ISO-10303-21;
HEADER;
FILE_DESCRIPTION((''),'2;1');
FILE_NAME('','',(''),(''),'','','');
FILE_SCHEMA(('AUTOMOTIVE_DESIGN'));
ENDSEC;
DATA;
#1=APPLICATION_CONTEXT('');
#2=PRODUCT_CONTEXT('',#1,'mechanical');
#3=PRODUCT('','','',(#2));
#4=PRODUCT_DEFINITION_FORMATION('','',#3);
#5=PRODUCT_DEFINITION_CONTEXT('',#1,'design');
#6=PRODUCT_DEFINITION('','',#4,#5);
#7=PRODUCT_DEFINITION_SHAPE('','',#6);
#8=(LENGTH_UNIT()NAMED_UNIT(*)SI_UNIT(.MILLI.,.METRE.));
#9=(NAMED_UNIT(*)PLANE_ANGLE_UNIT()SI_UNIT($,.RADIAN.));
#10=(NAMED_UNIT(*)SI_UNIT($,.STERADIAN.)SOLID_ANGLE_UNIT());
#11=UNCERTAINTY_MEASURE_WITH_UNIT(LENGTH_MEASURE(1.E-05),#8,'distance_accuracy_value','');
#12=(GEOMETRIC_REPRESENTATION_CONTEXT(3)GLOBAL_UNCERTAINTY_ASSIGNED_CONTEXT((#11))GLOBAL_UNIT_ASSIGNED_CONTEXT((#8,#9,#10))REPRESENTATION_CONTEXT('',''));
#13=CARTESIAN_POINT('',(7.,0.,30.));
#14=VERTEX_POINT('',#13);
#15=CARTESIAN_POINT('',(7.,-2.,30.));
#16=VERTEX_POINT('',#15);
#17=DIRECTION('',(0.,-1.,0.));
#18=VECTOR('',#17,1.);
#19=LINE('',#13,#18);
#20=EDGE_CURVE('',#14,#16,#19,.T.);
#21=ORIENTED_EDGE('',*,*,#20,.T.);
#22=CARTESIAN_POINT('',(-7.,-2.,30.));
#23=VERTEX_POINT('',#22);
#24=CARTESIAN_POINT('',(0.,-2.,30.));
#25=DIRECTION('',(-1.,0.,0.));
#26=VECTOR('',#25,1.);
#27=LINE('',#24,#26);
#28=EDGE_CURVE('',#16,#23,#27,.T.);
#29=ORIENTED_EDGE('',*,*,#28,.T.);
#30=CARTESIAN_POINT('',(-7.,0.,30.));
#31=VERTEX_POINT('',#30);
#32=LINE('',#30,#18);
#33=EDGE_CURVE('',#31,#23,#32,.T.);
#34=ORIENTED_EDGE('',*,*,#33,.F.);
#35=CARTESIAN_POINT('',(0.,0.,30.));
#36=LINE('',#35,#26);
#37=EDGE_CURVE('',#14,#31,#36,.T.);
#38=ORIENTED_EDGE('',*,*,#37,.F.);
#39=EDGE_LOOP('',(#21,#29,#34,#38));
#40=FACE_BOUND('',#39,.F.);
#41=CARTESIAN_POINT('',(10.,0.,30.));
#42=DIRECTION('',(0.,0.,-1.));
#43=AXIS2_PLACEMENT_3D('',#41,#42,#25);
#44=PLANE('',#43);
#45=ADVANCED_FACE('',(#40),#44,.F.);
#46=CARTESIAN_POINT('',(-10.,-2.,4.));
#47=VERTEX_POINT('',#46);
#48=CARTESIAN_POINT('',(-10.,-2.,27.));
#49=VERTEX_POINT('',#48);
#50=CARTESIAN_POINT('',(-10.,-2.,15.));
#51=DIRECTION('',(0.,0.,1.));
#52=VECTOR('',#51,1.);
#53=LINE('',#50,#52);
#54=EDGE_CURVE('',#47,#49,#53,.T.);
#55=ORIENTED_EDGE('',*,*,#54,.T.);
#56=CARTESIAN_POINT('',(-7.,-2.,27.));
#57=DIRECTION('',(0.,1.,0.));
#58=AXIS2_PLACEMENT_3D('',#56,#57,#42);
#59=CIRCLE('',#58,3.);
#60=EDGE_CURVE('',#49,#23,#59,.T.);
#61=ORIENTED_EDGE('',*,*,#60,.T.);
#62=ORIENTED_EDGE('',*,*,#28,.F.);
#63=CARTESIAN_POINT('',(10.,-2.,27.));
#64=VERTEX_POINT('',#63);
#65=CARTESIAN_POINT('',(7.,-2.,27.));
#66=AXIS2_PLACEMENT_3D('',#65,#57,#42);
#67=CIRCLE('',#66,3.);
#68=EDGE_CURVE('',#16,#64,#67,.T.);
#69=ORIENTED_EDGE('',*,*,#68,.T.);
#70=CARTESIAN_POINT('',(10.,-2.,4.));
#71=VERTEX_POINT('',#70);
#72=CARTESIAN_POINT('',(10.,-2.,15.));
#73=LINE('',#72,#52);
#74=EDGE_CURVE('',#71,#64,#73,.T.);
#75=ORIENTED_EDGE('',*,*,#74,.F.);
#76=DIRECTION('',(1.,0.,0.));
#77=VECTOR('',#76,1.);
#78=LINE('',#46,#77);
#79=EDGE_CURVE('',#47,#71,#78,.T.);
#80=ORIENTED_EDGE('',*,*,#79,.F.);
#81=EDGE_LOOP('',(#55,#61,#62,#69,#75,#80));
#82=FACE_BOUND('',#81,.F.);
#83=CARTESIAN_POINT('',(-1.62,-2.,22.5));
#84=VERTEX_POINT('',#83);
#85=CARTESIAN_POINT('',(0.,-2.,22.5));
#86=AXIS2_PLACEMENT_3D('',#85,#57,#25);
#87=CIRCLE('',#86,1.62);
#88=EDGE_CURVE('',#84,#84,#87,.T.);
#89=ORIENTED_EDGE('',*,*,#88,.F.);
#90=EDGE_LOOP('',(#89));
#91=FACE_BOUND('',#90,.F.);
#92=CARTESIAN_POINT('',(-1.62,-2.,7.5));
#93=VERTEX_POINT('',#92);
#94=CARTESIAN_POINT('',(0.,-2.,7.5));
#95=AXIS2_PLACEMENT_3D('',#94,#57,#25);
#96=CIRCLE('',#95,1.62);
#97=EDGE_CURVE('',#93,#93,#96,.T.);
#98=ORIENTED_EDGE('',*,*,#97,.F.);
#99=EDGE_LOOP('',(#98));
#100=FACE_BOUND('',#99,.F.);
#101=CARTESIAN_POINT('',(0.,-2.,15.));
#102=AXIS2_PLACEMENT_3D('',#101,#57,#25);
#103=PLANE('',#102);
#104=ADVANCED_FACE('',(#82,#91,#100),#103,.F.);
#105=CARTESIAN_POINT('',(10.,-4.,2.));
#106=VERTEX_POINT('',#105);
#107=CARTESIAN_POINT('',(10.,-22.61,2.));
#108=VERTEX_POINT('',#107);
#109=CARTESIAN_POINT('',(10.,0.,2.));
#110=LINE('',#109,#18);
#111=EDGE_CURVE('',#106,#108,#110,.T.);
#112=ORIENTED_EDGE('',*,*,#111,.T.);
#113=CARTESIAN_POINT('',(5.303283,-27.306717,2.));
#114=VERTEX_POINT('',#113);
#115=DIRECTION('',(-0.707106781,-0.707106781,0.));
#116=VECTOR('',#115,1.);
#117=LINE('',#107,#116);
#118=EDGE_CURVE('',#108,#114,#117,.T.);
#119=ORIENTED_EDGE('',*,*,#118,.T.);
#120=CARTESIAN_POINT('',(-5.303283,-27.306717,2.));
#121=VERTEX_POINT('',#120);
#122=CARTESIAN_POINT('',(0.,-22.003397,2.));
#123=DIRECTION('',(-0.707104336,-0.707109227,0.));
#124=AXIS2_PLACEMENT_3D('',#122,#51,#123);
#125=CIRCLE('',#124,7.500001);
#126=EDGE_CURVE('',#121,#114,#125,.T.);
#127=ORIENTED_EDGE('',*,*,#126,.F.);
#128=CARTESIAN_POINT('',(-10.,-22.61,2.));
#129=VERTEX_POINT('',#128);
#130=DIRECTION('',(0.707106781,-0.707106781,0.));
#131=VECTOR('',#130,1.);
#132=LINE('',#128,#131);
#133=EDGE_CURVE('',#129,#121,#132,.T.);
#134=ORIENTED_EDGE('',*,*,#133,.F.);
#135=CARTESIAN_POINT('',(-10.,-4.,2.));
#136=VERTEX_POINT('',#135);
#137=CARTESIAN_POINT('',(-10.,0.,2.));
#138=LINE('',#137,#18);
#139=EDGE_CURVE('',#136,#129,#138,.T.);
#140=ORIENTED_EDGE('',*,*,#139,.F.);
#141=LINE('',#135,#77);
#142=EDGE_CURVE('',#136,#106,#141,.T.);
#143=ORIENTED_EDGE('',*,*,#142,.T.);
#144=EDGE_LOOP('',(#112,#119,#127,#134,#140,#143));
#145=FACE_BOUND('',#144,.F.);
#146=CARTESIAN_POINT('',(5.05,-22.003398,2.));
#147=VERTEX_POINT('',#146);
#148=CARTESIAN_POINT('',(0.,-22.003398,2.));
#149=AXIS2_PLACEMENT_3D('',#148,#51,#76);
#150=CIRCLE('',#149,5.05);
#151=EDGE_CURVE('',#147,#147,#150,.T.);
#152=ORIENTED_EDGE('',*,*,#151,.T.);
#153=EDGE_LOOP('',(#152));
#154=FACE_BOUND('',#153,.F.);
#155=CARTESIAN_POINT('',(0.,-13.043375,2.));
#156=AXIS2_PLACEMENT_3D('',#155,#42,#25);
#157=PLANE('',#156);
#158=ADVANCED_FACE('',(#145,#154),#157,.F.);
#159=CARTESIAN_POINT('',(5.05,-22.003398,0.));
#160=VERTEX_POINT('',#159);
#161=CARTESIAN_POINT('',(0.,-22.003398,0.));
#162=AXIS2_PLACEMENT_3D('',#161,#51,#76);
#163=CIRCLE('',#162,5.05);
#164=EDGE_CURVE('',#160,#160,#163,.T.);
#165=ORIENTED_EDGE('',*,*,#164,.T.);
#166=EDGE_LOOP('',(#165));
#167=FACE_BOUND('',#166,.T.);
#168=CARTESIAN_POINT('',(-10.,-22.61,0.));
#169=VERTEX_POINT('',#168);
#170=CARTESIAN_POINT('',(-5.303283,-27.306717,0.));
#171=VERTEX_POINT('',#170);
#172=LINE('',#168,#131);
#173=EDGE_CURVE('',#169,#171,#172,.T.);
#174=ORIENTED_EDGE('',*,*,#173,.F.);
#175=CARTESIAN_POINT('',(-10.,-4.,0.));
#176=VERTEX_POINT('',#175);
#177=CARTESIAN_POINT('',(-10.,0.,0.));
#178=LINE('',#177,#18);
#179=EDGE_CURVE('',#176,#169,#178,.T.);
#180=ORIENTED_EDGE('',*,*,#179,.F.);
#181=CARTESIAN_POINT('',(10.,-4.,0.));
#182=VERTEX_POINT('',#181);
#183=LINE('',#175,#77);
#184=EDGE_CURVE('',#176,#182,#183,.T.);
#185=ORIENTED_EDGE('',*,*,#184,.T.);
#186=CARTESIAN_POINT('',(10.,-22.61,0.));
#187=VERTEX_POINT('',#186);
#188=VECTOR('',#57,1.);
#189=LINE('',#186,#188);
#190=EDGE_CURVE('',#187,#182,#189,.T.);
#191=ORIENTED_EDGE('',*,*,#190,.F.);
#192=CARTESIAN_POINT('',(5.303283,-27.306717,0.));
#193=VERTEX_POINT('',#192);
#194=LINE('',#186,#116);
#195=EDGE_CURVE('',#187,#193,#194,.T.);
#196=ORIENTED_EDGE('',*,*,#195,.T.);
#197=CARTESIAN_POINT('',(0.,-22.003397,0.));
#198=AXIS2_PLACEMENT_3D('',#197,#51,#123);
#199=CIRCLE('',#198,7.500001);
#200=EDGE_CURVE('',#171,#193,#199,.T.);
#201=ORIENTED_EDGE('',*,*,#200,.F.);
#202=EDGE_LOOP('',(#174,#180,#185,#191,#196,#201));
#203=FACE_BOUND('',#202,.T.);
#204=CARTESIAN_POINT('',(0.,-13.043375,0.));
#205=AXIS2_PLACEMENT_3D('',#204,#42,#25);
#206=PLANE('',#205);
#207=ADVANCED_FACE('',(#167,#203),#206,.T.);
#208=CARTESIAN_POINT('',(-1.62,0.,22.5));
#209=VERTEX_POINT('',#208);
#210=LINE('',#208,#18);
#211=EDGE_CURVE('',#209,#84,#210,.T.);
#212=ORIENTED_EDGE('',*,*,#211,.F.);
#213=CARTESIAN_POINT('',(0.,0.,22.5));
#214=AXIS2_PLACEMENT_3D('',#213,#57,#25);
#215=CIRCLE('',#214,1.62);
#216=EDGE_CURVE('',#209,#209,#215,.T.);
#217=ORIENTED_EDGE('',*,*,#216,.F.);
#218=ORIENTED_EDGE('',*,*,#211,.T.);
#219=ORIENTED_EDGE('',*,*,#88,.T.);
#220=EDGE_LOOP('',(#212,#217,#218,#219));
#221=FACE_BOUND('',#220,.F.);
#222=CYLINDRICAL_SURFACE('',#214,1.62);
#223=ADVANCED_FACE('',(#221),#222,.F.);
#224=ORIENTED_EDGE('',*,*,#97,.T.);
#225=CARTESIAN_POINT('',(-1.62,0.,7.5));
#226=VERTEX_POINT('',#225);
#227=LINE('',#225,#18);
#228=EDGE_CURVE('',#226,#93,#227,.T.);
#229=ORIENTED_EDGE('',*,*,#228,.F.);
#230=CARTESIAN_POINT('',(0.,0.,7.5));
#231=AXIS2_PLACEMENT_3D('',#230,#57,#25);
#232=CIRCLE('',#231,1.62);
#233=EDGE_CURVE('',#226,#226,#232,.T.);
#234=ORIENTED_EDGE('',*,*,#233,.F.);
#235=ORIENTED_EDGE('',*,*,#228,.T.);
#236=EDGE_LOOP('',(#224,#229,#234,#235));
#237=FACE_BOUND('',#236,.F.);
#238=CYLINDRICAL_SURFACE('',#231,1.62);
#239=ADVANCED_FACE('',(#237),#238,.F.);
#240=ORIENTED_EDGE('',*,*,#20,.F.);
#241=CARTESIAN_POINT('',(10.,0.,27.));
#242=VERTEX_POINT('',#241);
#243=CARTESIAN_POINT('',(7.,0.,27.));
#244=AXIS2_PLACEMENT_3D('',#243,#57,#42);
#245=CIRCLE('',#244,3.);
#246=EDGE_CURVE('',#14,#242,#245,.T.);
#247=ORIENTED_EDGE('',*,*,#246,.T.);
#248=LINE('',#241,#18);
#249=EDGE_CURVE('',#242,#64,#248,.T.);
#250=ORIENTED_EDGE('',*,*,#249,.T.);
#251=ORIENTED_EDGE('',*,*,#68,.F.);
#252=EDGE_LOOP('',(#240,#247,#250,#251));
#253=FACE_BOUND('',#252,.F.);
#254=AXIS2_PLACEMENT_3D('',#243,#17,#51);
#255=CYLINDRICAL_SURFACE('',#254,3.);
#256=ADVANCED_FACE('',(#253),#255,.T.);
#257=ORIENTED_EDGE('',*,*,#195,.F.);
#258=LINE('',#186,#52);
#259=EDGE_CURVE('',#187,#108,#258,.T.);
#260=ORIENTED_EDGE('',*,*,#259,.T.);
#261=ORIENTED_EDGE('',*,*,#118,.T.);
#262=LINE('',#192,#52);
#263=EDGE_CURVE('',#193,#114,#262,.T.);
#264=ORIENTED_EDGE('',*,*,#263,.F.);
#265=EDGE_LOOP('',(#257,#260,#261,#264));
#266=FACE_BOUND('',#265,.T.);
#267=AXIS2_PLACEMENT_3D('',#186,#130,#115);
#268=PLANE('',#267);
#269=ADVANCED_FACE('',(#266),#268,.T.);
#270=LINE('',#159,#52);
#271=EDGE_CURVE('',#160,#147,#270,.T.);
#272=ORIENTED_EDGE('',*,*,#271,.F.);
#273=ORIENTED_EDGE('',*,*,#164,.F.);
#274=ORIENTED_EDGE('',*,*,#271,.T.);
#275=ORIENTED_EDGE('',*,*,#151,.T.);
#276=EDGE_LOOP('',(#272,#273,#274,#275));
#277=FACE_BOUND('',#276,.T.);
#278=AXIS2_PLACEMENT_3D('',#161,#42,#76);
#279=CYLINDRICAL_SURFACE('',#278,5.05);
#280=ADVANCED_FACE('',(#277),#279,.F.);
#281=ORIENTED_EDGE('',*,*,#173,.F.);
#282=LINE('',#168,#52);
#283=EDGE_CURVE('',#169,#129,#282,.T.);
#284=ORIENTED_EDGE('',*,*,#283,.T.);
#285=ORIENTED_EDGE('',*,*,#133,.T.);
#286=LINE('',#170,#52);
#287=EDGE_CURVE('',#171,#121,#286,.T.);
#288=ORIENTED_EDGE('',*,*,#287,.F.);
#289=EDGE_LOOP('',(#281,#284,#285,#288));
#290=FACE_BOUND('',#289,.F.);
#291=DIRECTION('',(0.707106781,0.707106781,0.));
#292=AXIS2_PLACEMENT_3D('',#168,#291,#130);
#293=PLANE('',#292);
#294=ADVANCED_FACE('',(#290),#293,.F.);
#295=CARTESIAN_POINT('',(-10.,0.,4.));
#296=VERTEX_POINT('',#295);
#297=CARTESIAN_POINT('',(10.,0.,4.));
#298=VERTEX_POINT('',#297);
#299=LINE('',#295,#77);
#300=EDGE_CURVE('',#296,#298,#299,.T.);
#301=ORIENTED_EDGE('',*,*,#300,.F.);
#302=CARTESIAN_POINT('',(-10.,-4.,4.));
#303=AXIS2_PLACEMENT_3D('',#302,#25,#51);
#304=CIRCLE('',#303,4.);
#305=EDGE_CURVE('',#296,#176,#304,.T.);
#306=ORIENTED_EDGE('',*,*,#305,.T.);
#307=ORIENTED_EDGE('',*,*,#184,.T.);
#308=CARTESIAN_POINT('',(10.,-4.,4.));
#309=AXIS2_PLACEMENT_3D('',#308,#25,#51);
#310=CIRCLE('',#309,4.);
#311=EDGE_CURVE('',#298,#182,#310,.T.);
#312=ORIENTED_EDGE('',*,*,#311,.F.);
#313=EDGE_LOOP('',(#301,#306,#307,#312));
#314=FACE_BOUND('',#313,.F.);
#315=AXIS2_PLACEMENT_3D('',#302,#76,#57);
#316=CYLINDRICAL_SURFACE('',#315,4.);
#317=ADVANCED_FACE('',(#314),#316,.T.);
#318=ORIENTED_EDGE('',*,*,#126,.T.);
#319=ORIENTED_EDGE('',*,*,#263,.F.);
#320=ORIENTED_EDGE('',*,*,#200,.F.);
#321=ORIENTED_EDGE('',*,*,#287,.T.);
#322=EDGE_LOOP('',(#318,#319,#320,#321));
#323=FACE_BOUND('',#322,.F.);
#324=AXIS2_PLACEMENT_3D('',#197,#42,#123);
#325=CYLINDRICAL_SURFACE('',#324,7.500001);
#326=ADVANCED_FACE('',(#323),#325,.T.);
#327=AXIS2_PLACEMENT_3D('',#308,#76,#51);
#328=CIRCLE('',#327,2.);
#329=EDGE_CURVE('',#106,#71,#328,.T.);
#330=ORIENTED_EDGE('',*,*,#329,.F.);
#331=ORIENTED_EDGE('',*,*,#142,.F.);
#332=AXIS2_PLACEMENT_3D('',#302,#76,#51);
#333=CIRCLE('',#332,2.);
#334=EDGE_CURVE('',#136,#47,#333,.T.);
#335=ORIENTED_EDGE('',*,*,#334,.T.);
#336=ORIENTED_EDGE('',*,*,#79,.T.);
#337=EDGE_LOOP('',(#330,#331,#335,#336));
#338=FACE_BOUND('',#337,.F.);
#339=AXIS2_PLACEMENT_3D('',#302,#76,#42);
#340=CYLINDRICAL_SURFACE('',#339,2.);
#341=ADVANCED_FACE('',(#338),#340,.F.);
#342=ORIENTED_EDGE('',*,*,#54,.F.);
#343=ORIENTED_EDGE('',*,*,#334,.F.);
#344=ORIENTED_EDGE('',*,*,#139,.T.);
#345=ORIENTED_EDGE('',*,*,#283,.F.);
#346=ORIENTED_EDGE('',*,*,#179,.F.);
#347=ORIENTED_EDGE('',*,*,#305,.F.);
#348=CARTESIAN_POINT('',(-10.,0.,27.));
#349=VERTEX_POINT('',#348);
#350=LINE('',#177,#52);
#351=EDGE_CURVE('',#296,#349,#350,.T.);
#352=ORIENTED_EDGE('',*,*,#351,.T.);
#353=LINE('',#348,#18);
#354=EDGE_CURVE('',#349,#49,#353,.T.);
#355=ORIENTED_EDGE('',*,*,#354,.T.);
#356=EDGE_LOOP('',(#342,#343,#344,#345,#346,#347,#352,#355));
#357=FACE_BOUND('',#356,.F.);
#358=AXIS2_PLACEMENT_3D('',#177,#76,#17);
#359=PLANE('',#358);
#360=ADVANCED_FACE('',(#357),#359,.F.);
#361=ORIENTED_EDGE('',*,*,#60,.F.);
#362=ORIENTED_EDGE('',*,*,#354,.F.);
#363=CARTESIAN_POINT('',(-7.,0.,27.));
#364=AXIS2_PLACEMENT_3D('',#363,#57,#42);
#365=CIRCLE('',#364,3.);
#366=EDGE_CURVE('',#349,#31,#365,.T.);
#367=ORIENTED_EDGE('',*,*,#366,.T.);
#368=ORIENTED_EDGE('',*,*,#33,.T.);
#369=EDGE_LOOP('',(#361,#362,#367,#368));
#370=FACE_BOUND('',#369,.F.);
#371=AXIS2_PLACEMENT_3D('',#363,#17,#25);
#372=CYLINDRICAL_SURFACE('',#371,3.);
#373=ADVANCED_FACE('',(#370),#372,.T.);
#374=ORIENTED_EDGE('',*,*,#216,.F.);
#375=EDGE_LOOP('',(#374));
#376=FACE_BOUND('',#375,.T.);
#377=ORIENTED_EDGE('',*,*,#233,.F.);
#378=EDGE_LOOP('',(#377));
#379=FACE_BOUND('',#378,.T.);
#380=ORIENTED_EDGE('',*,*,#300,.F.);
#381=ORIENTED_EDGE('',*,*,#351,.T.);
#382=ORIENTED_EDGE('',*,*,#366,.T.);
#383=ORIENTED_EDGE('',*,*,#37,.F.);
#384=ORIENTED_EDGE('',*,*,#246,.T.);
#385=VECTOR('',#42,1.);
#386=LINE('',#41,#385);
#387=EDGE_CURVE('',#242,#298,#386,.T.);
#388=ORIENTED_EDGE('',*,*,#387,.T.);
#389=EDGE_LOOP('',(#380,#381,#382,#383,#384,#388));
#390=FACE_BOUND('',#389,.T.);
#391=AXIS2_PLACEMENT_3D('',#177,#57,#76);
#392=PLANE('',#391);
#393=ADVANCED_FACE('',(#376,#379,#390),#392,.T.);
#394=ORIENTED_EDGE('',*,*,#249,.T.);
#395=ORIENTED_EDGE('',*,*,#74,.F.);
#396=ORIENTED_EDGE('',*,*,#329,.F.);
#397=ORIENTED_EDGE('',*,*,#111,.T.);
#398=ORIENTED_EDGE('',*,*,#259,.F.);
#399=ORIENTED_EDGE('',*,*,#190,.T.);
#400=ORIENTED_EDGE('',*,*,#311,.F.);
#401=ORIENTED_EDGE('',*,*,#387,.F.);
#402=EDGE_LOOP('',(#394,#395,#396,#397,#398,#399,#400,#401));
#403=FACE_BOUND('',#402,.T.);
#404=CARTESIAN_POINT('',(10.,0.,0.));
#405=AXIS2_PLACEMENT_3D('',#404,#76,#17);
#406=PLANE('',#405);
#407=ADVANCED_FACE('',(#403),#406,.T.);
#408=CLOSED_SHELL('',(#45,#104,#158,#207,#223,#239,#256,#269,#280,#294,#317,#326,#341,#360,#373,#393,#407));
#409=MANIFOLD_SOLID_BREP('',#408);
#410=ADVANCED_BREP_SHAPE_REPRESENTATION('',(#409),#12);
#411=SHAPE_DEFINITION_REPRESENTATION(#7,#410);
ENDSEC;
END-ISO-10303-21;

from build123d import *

# Parameters (mm, degrees)
SKETCH_R     = 5.05
PAD_DEPTH    = 2
SKETCH001_W  = 20
SKETCH001_H  = 30
SKETCH001_R  = 1.62
PAD001_DEPTH = 2
FILLET_R     = 4
FILLET001_R  = 2
FILLET002_R  = 3


with BuildPart() as part:
    # Sketch → Pad (new body)
    with BuildSketch(Plane.XY):
        with BuildLine():
            Line((-10, 0), (10, 0))
            Line((10, 0), (10, -22.61))
            Line((10, -22.61), (5.303283, -27.306717))
            ThreePointArc((-5.303283, -27.306717), (0, -29.503398), (5.303283, -27.306717))
            Line((-10, -22.61), (-5.303283, -27.306717))
            Line((-10, 0), (-10, -22.61))
        make_face()
        with Locations((0, -22.003398)):
            Circle(SKETCH_R, mode=Mode.SUBTRACT)
    extrude(amount=PAD_DEPTH)

    # Sketch001 → Pad001 (new body)
    with BuildSketch(Plane(origin=(0, 0, 0), x_dir=(-1, 0, 0), z_dir=(0, 1, 0))):
        with Locations((0, 15)):
            Rectangle(SKETCH001_W, SKETCH001_H)
        with Locations((0, 22.5)):
            Circle(SKETCH001_R, mode=Mode.SUBTRACT)
        with Locations((0, 7.5)):
            Circle(SKETCH001_R, mode=Mode.SUBTRACT)
    extrude(amount=-PAD001_DEPTH)

    # Fillet
    fillet_edges = [part.edges().sort_by_distance(p)[0] for p in [
        (0, 0, 0),
    ]]
    fillet(fillet_edges, radius=FILLET_R)

    # Fillet001
    fillet001_edges = [part.edges().sort_by_distance(p)[0] for p in [
        (0, -2, 2),
    ]]
    fillet(fillet001_edges, radius=FILLET001_R)

    # Fillet002
    fillet002_edges = [part.edges().sort_by_distance(p)[0] for p in [
        (-10, -1, 30),
        (10, -1, 30),
    ]]
    fillet(fillet002_edges, radius=FILLET002_R)


solid = part.part
